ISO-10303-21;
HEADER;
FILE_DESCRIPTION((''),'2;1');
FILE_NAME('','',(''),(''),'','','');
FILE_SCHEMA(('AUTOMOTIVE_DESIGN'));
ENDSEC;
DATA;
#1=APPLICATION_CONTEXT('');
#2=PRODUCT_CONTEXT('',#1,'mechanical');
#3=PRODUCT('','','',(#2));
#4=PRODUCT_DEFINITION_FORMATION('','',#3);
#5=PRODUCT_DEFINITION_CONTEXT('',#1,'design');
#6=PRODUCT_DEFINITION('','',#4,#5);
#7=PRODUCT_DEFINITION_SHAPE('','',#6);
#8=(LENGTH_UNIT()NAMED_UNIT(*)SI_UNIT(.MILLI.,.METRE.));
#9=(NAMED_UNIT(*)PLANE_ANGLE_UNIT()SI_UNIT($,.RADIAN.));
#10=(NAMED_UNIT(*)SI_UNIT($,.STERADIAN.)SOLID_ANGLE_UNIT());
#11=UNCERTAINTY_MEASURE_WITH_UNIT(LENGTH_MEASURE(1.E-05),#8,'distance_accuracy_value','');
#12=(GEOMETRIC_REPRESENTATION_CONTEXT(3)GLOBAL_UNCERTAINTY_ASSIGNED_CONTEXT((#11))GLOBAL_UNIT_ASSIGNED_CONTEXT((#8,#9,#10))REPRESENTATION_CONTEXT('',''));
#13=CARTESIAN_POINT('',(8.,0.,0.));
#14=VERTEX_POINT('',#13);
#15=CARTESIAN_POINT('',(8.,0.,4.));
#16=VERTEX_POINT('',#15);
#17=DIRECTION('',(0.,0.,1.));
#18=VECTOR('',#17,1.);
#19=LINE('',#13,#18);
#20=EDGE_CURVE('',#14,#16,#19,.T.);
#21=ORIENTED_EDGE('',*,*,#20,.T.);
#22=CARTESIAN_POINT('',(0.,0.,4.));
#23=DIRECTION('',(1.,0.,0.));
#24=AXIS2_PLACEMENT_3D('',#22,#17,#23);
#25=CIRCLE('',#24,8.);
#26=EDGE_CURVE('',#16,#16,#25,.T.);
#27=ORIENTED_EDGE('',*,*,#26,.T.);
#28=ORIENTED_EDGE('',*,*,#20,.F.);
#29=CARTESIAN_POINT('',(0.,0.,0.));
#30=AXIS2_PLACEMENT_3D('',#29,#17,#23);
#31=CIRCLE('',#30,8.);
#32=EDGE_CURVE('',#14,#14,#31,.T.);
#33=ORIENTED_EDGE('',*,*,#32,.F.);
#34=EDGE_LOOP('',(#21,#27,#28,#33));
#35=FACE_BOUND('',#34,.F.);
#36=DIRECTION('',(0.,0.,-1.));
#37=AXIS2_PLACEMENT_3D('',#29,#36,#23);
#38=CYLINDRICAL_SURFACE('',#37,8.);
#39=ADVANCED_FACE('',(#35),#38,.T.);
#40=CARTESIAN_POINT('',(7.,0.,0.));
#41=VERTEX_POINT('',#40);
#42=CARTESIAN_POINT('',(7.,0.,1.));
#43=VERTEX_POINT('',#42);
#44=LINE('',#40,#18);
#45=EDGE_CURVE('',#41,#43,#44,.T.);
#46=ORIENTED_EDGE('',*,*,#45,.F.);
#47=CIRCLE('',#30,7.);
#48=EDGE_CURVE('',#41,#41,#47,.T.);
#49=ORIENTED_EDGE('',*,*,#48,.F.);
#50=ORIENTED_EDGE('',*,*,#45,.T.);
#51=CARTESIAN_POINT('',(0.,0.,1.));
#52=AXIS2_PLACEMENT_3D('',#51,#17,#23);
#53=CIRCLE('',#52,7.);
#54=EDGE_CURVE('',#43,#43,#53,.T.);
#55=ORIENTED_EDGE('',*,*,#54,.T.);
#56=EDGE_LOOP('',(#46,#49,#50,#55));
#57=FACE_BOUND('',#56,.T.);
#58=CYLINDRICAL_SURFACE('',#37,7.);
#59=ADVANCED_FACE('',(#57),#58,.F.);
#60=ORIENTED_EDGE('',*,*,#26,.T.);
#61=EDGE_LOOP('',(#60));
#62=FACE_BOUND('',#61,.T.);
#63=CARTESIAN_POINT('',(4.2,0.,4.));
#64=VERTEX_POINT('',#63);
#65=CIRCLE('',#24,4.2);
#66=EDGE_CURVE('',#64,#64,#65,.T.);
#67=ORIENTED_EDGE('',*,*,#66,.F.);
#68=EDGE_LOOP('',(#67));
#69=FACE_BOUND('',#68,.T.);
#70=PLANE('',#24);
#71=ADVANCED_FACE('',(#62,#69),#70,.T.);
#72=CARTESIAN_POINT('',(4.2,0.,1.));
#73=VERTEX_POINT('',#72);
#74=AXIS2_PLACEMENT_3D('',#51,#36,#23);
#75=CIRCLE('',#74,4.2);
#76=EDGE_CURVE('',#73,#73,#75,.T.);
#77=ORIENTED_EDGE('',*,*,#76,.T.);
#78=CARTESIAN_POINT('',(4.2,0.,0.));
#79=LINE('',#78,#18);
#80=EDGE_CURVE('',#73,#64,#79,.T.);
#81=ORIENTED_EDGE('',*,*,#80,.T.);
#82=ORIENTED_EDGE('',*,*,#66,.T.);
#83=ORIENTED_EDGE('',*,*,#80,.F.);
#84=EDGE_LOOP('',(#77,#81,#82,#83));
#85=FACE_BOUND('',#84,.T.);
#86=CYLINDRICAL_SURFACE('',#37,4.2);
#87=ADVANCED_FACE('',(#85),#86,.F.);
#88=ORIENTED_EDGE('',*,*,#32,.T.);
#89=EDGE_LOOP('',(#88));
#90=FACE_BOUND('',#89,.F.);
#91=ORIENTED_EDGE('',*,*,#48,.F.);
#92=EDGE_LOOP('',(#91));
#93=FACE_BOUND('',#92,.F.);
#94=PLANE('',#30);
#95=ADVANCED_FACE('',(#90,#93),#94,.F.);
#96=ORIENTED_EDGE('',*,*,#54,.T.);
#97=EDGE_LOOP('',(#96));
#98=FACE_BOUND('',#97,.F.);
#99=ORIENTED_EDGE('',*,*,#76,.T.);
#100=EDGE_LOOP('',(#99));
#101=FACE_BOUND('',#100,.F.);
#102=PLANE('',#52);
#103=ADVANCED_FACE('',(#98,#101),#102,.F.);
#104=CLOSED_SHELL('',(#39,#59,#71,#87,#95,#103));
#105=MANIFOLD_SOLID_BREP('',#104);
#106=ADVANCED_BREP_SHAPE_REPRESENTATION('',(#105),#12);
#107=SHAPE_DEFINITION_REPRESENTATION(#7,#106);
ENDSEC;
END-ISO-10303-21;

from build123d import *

# Parameters (mm, degrees)
CYLINDER014005855_R     = 7
CYLINDER014005855_DEPTH = 1
TUBE004_R               = 8
TUBE004_R_2             = 4.2
TUBE004_DEPTH           = 4


with BuildPart() as v_lec768:
    # Cylinder014005855 → Cylinder014005855 (new body)
    with BuildSketch(Plane.XY):
        Circle(CYLINDER014005855_R)
    extrude(amount=CYLINDER014005855_DEPTH)


with BuildPart() as ring:
    # Tube004 → Tube004 (new body)
    with BuildSketch(Plane.XY):
        Circle(TUBE004_R)
        Circle(TUBE004_R_2, mode=Mode.SUBTRACT)
    extrude(amount=TUBE004_DEPTH)

    # Cut009003003007: cut Válec768
    add(v_lec768.part, mode=Mode.SUBTRACT)


solid = ring.part
